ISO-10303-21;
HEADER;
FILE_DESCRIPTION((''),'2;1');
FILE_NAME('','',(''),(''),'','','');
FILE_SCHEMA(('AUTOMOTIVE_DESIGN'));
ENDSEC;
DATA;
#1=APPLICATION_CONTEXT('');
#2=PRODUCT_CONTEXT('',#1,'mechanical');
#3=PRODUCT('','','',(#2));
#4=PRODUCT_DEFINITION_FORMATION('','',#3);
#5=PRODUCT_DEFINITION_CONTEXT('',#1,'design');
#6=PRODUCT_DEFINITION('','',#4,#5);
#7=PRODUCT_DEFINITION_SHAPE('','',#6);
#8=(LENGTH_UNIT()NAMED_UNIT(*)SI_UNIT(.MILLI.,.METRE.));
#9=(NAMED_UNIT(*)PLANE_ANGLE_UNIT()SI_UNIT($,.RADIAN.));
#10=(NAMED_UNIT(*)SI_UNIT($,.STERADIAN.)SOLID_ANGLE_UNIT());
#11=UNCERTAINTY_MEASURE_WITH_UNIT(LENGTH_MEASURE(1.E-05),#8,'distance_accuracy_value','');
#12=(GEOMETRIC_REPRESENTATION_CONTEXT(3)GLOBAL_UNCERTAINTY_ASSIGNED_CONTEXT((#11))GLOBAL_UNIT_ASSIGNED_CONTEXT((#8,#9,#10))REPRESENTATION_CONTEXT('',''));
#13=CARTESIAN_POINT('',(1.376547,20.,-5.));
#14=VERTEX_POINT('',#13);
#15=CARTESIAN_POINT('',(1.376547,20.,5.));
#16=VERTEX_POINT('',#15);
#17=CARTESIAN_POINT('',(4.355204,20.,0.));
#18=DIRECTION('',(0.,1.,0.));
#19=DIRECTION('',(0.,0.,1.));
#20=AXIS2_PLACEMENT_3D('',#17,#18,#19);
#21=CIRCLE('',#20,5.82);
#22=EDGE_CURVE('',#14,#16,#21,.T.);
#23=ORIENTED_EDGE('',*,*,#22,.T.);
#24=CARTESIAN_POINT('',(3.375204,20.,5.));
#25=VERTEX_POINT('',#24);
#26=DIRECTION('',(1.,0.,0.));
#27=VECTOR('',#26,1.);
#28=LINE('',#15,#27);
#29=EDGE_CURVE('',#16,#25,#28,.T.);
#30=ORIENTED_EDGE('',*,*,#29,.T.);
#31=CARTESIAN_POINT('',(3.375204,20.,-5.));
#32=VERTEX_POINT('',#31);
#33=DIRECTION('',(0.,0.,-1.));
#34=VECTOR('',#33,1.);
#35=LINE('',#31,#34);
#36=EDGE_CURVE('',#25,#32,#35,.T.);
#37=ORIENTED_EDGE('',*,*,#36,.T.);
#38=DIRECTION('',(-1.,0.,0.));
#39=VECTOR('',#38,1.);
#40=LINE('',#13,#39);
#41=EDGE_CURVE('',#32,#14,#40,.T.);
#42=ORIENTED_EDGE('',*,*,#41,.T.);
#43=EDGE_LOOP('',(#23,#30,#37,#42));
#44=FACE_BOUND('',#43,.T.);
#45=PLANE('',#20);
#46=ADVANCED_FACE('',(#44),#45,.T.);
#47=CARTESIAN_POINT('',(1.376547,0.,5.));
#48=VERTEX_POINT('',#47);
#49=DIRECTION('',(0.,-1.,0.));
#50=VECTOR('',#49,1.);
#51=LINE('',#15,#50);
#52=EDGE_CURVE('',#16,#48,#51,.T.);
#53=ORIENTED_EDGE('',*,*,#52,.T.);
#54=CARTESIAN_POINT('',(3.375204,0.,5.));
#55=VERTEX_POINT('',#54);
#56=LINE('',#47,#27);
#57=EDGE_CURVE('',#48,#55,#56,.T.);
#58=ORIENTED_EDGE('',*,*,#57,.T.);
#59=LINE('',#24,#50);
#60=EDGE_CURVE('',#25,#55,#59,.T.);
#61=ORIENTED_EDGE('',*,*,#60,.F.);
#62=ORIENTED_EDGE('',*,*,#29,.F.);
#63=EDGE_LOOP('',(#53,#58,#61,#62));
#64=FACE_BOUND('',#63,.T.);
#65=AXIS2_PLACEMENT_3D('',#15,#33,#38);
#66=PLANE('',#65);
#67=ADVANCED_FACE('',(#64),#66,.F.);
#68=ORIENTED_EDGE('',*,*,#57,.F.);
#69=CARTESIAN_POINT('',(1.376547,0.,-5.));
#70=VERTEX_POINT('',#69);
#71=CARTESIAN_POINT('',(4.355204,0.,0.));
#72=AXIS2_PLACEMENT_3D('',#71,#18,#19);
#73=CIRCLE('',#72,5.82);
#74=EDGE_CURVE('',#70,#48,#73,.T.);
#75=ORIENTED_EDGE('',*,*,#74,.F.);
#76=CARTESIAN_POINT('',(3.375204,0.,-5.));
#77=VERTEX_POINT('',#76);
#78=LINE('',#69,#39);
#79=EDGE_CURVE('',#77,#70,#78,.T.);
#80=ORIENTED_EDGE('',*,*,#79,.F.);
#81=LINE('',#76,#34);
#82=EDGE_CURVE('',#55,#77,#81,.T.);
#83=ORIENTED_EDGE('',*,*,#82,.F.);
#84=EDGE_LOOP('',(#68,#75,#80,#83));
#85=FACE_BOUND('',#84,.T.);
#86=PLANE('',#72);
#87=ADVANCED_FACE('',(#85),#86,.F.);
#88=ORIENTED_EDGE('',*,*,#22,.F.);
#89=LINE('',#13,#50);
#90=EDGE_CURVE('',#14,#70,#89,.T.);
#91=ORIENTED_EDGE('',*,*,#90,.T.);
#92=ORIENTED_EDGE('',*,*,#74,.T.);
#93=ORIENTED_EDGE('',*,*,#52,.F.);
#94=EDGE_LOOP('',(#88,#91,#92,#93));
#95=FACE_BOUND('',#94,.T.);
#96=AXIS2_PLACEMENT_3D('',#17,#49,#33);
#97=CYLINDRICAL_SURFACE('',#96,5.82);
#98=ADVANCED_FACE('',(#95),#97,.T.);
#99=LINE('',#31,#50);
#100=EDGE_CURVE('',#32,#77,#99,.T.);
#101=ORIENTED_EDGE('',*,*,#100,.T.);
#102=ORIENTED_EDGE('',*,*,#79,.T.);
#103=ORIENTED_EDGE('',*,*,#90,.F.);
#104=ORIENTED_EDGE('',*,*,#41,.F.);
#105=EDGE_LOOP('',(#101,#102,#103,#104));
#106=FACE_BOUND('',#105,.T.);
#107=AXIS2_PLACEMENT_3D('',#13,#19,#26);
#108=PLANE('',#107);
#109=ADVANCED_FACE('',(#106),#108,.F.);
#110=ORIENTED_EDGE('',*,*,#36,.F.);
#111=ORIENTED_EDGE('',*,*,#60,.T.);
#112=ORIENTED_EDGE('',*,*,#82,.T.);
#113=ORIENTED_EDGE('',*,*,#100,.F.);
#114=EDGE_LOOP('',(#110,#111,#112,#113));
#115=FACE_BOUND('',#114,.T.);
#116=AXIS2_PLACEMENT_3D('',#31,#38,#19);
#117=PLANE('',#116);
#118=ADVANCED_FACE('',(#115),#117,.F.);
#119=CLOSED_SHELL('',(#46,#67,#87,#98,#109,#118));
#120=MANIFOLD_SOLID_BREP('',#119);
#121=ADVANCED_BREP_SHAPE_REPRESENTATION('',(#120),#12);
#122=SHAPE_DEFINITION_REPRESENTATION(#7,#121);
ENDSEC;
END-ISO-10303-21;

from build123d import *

# Parameters (mm, degrees)
EXTRUDE_1_DEPTH = 20


with BuildPart() as part:
    # 草图1 → 凸台-拉伸1 (new body)
    with BuildSketch(Plane(origin=(0, 0, 0), x_dir=(1, 0, 0), z_dir=(0, 1, 0))):
        with BuildLine():
            Line((1.376546919, 5), (3.375204335, 5))
            Line((3.375204335, 5), (3.375204335, -5))
            Line((3.375204335, -5), (1.376546919, -5))
            ThreePointArc((1.376546919, -5), (-1.464795665, 0), (1.376546919, 5))
        make_face()
    extrude(amount=EXTRUDE_1_DEPTH)


solid = part.part
